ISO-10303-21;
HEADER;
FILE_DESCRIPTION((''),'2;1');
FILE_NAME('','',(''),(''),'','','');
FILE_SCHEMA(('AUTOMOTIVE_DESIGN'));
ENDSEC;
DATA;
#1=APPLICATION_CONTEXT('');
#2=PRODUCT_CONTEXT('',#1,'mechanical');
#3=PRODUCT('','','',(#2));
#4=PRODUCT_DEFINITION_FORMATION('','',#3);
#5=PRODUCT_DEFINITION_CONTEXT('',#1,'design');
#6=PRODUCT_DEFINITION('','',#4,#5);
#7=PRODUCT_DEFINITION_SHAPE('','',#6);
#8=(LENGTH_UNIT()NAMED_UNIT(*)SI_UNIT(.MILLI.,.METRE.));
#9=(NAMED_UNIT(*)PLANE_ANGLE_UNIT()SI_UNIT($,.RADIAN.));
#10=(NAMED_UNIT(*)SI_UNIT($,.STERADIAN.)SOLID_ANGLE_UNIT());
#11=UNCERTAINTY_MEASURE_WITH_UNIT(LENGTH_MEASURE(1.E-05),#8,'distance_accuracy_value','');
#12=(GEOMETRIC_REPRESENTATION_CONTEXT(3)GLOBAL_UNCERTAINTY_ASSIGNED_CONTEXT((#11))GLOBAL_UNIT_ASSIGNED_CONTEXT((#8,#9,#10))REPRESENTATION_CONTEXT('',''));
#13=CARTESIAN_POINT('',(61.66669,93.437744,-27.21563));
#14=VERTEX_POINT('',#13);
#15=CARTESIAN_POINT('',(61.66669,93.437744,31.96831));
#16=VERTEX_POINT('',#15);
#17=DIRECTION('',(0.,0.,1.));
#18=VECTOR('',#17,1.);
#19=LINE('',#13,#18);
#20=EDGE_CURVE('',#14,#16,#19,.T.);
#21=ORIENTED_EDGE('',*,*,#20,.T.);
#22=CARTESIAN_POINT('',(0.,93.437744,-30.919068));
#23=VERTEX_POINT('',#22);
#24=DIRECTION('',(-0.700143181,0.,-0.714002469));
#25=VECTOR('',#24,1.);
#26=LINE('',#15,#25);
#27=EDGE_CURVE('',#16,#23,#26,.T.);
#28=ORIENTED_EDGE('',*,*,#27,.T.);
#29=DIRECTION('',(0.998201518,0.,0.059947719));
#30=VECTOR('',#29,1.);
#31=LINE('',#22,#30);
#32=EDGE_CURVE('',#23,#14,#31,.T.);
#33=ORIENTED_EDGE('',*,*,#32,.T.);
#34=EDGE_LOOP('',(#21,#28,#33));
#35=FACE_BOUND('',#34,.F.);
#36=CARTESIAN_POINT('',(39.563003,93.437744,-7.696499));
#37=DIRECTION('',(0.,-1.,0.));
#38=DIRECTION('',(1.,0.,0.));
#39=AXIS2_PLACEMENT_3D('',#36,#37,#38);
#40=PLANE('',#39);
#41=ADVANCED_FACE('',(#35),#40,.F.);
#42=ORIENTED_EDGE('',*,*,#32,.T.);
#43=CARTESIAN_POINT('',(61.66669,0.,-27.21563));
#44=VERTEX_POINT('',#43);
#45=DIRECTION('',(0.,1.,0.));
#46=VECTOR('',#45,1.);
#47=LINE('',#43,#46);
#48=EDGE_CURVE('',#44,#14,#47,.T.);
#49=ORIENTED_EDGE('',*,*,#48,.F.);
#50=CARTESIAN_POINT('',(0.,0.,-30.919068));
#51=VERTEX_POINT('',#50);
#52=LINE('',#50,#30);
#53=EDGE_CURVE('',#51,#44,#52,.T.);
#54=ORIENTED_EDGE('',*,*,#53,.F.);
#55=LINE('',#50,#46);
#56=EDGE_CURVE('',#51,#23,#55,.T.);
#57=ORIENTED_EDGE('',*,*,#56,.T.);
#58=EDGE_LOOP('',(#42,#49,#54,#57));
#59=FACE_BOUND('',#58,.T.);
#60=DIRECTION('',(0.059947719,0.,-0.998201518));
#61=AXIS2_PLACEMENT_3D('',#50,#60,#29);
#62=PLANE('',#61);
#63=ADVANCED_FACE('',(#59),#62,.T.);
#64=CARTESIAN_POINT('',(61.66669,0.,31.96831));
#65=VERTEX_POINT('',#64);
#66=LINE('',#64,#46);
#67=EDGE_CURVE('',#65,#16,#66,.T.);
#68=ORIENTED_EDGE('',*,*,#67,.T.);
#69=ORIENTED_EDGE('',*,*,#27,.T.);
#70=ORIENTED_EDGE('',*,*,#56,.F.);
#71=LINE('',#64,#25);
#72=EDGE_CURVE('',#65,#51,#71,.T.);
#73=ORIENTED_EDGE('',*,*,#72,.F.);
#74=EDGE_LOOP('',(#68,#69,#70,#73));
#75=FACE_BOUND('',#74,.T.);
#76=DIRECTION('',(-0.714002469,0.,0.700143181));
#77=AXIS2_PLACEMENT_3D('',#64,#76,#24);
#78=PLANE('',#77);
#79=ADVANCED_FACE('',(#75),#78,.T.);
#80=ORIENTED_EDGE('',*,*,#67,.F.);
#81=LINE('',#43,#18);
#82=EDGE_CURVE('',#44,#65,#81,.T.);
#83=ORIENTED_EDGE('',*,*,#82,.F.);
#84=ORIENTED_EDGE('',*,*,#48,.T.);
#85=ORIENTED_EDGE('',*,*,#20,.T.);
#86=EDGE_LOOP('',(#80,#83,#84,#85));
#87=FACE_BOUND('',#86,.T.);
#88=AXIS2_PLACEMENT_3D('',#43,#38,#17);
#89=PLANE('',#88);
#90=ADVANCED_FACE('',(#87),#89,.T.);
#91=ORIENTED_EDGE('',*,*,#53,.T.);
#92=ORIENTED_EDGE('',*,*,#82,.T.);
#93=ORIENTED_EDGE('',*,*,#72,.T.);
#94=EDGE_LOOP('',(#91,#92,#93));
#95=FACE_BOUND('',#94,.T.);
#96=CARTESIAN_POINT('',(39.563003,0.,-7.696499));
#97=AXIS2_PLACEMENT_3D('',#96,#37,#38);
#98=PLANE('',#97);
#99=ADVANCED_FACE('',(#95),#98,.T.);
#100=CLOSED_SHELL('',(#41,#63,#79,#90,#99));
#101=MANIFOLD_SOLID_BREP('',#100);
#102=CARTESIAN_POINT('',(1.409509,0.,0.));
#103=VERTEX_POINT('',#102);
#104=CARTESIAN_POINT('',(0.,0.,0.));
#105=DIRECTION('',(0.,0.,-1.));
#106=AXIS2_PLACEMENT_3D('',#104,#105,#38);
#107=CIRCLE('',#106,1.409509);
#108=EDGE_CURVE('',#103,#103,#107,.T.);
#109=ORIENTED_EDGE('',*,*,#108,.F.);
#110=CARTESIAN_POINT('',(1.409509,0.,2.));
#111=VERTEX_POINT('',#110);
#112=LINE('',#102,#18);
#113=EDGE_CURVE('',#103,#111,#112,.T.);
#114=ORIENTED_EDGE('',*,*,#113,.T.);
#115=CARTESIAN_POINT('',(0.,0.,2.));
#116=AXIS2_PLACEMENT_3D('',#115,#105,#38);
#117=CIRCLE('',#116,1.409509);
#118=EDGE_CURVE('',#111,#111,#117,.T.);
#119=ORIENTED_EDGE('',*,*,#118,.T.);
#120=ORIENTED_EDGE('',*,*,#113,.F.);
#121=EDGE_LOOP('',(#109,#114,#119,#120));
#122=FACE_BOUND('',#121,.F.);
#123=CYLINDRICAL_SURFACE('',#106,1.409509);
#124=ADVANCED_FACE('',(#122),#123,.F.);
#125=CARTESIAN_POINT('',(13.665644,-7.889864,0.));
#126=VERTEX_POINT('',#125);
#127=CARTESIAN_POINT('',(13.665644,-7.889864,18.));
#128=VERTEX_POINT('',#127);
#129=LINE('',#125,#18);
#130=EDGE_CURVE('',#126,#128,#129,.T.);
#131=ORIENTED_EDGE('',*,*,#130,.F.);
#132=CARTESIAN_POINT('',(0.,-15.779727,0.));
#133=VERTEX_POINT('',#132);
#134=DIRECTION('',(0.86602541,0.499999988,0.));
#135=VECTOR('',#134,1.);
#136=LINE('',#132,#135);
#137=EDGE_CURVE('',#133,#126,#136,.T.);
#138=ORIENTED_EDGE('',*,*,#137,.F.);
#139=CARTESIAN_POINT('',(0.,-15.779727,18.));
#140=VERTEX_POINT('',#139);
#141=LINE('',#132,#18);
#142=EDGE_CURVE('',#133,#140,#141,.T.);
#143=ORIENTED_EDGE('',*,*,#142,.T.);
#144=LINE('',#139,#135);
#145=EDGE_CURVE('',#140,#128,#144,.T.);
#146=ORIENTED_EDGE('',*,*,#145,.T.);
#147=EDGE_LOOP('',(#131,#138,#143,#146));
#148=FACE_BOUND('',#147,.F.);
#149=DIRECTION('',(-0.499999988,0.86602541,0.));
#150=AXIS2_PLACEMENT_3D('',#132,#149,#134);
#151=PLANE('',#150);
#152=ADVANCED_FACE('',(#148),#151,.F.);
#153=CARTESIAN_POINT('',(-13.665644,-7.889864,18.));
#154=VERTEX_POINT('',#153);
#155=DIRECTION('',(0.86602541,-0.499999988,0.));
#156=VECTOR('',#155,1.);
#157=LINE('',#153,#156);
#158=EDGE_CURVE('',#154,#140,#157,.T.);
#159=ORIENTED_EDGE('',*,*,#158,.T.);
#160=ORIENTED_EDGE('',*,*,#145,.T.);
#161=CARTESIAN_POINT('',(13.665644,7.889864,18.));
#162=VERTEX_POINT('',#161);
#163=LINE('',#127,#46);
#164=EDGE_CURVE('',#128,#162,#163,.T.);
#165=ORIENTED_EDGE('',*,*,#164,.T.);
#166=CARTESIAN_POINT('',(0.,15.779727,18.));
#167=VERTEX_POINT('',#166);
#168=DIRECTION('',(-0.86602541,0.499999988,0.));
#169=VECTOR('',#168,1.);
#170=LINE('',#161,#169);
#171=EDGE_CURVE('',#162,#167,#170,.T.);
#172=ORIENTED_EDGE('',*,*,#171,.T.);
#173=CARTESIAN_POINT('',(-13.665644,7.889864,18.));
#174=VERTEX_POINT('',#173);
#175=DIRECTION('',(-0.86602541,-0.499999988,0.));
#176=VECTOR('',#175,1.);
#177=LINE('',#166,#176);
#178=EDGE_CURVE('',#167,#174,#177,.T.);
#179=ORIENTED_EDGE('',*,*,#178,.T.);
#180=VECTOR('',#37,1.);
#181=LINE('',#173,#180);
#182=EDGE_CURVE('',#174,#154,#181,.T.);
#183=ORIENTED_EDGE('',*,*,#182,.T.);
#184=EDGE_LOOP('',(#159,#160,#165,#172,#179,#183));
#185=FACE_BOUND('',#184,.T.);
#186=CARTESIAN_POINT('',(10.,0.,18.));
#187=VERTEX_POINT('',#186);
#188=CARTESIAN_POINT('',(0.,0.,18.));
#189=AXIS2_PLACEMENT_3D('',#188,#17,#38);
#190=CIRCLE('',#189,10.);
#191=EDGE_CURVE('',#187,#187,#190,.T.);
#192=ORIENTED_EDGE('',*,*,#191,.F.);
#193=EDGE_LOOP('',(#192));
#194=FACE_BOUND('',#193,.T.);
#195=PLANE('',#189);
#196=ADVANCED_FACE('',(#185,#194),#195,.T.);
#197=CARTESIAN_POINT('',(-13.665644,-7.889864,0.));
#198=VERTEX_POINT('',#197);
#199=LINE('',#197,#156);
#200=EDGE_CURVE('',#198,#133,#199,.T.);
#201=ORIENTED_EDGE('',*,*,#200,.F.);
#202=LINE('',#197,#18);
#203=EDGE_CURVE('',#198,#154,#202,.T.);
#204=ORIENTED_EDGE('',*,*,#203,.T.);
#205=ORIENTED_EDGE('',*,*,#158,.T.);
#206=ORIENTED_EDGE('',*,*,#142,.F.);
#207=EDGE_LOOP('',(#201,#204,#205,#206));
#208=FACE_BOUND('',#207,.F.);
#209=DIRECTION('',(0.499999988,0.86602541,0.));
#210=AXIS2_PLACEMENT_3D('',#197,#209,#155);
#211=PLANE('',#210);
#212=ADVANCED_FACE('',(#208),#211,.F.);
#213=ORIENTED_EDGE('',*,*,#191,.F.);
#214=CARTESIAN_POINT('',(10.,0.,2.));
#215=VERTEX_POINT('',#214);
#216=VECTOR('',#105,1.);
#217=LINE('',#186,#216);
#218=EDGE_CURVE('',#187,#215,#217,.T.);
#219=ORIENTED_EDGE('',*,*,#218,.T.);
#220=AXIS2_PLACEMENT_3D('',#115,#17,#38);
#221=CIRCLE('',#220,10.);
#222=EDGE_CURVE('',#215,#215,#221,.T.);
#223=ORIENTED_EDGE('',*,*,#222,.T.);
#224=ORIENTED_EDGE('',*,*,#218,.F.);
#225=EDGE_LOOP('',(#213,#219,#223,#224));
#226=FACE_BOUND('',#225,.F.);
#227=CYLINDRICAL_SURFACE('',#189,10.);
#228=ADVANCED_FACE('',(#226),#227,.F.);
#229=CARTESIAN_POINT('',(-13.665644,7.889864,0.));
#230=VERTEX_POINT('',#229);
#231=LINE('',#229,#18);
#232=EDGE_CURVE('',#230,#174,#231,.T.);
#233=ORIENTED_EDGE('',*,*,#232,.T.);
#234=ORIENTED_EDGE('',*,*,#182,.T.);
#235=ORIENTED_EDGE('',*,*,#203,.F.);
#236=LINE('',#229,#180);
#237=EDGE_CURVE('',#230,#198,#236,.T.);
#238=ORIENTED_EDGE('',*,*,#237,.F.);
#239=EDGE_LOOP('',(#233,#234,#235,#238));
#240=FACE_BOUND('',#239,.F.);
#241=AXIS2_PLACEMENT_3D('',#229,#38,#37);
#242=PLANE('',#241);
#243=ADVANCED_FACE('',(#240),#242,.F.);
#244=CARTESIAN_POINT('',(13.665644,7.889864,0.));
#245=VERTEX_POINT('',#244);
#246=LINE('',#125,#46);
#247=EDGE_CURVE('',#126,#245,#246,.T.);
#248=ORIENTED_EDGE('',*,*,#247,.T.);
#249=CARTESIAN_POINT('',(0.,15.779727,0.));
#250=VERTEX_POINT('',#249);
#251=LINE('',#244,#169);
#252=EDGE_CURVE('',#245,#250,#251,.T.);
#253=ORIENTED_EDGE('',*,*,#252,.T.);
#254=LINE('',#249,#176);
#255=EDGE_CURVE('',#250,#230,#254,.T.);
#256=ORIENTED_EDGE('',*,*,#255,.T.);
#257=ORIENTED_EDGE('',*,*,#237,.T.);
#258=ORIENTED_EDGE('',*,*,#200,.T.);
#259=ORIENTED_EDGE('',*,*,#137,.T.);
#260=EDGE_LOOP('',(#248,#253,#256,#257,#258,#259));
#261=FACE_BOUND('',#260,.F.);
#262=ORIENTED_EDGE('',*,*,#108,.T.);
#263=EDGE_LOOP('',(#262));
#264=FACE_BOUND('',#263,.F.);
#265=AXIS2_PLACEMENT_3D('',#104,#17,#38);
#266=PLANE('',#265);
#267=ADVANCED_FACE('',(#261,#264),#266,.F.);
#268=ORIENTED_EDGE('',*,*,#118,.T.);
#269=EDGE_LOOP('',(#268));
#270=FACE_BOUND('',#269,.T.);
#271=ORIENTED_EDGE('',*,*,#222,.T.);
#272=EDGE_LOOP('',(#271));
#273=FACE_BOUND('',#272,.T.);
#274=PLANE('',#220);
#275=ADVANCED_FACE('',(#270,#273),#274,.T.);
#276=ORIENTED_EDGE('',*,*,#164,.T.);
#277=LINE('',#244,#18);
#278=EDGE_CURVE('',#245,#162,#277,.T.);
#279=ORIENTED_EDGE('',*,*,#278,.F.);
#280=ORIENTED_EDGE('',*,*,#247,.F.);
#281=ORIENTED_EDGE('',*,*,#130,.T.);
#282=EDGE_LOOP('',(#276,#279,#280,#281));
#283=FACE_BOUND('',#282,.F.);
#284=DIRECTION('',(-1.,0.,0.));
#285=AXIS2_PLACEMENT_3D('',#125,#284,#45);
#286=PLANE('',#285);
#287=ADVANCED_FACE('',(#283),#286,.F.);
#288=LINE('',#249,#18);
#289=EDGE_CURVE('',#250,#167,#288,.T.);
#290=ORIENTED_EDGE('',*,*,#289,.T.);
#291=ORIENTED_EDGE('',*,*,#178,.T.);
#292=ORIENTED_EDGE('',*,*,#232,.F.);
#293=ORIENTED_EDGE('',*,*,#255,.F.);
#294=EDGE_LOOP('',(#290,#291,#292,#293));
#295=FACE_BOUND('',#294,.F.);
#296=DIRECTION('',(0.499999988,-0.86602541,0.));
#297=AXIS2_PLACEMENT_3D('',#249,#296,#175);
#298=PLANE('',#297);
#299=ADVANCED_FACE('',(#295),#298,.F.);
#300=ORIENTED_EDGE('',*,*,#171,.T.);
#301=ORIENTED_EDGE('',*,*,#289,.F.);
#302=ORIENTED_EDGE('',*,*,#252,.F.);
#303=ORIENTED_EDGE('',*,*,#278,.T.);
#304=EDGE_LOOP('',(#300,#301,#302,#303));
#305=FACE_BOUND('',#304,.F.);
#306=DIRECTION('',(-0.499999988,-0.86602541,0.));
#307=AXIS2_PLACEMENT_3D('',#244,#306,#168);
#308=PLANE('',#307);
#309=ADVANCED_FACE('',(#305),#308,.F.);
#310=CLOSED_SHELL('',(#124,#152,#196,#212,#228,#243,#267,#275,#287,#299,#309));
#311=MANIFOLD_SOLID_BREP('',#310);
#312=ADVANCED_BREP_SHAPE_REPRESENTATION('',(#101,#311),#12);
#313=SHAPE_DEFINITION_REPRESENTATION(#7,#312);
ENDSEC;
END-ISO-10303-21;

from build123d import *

# Parameters (mm, degrees)
F0_R     = 10
F1_DEPTH = 18
F2_R     = 10
F3_DEPTH = 16
F4_R     = 1.409509
F5_DEPTH = 25
F7_DEPTH = 93.437744


with BuildPart() as f1:
    # F0 (on Top) → F1 (new body)
    with BuildSketch(Plane.XY):
        Polygon((13.665644, -7.889864), (13.665644, 7.889864), (0, 15.779727), (-13.665644, 7.889864), (-13.665644, -7.889864), (0, -15.779727), align=None)
        Circle(F0_R, mode=Mode.SUBTRACT)
        Circle(F0_R)
    extrude(amount=F1_DEPTH)

    # F2 (on face) → F3 (cut)
    with BuildSketch(Plane.XY.offset(18)):
        Circle(F2_R)
    extrude(amount=-F3_DEPTH, mode=Mode.SUBTRACT)

    # F4 (on face) → F5 (cut)
    with BuildSketch(Plane(origin=(0, 0, 0), x_dir=(1, 0, 0), z_dir=(0, 0, -1))):
        Circle(F4_R)
    extrude(amount=-F5_DEPTH, mode=Mode.SUBTRACT)


with BuildPart() as f7:
    # F6 (on Front) → F7 (new body)
    with BuildSketch(Plane.XZ):
        Polygon((61.66669, 31.96831), (0, -30.919068), (61.66669, -27.21563), align=None)
    extrude(amount=-F7_DEPTH)


solid = Compound([f1.part, f7.part])
